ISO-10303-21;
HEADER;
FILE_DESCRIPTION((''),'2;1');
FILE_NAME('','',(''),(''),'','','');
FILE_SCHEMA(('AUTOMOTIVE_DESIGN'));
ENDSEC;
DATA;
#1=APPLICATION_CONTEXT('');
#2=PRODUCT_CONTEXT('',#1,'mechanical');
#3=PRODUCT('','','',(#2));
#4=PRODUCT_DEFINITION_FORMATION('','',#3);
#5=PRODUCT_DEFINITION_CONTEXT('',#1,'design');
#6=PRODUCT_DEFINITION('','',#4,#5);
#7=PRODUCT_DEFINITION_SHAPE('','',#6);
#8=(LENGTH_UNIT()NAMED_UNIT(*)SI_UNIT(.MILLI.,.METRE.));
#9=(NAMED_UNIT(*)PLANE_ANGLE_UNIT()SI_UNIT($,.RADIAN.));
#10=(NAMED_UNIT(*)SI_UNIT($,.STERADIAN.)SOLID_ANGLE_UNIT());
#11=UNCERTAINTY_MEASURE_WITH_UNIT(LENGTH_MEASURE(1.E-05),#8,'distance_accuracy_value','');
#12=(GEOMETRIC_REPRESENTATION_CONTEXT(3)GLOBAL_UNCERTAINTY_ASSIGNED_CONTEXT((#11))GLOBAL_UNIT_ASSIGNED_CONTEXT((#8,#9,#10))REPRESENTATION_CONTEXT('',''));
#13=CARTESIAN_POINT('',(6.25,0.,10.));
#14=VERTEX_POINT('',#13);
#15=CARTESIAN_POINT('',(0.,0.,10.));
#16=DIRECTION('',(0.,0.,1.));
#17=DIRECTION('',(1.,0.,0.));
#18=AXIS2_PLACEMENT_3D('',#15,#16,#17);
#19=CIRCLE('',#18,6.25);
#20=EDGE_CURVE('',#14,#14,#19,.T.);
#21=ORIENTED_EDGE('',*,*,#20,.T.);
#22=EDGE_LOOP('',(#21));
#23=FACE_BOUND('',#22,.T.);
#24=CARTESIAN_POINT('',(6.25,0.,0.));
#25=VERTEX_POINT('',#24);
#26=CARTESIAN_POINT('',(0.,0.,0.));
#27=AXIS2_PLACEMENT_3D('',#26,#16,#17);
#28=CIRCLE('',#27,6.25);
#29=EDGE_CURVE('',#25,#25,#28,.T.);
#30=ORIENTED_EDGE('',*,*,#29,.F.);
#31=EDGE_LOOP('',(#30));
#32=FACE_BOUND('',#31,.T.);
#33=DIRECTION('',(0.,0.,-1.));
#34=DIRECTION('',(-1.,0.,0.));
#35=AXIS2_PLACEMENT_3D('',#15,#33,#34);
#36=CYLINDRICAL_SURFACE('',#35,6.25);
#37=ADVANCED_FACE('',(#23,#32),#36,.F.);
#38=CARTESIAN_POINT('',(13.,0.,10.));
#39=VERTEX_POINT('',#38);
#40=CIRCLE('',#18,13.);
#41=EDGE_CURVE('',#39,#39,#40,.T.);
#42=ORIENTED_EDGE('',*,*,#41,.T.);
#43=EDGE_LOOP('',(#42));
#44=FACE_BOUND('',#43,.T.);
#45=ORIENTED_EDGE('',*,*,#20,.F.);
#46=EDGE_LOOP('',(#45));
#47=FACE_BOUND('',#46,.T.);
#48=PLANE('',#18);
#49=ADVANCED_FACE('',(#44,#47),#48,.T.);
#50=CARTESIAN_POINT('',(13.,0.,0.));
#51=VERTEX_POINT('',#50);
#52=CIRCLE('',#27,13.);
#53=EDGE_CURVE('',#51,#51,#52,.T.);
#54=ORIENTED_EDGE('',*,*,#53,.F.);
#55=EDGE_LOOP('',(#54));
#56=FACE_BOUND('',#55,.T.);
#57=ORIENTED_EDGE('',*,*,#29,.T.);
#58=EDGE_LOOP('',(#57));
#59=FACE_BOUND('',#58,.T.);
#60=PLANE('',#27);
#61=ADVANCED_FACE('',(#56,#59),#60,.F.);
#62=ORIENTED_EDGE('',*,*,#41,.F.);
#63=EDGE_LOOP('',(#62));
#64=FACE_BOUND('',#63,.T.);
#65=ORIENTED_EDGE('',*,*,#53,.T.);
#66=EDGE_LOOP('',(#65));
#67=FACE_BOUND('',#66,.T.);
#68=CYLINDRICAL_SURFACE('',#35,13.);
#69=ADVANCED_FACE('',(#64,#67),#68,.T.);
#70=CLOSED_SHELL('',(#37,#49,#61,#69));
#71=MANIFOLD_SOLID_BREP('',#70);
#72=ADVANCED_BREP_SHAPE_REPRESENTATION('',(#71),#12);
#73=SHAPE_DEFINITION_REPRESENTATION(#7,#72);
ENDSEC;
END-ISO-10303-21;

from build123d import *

# Parameters (mm, degrees)
ESQUISSE1_R        = 13
ESQUISSE1_R_2      = 6.25
BOSS_EXTRU_1_DEPTH = 10


with BuildPart() as part:
    # Esquisse1 → Boss.-Extru.1 (new body)
    with BuildSketch(Plane.XY):
        Circle(ESQUISSE1_R)
        Circle(ESQUISSE1_R_2, mode=Mode.SUBTRACT)
    extrude(amount=BOSS_EXTRU_1_DEPTH)


solid = part.part
